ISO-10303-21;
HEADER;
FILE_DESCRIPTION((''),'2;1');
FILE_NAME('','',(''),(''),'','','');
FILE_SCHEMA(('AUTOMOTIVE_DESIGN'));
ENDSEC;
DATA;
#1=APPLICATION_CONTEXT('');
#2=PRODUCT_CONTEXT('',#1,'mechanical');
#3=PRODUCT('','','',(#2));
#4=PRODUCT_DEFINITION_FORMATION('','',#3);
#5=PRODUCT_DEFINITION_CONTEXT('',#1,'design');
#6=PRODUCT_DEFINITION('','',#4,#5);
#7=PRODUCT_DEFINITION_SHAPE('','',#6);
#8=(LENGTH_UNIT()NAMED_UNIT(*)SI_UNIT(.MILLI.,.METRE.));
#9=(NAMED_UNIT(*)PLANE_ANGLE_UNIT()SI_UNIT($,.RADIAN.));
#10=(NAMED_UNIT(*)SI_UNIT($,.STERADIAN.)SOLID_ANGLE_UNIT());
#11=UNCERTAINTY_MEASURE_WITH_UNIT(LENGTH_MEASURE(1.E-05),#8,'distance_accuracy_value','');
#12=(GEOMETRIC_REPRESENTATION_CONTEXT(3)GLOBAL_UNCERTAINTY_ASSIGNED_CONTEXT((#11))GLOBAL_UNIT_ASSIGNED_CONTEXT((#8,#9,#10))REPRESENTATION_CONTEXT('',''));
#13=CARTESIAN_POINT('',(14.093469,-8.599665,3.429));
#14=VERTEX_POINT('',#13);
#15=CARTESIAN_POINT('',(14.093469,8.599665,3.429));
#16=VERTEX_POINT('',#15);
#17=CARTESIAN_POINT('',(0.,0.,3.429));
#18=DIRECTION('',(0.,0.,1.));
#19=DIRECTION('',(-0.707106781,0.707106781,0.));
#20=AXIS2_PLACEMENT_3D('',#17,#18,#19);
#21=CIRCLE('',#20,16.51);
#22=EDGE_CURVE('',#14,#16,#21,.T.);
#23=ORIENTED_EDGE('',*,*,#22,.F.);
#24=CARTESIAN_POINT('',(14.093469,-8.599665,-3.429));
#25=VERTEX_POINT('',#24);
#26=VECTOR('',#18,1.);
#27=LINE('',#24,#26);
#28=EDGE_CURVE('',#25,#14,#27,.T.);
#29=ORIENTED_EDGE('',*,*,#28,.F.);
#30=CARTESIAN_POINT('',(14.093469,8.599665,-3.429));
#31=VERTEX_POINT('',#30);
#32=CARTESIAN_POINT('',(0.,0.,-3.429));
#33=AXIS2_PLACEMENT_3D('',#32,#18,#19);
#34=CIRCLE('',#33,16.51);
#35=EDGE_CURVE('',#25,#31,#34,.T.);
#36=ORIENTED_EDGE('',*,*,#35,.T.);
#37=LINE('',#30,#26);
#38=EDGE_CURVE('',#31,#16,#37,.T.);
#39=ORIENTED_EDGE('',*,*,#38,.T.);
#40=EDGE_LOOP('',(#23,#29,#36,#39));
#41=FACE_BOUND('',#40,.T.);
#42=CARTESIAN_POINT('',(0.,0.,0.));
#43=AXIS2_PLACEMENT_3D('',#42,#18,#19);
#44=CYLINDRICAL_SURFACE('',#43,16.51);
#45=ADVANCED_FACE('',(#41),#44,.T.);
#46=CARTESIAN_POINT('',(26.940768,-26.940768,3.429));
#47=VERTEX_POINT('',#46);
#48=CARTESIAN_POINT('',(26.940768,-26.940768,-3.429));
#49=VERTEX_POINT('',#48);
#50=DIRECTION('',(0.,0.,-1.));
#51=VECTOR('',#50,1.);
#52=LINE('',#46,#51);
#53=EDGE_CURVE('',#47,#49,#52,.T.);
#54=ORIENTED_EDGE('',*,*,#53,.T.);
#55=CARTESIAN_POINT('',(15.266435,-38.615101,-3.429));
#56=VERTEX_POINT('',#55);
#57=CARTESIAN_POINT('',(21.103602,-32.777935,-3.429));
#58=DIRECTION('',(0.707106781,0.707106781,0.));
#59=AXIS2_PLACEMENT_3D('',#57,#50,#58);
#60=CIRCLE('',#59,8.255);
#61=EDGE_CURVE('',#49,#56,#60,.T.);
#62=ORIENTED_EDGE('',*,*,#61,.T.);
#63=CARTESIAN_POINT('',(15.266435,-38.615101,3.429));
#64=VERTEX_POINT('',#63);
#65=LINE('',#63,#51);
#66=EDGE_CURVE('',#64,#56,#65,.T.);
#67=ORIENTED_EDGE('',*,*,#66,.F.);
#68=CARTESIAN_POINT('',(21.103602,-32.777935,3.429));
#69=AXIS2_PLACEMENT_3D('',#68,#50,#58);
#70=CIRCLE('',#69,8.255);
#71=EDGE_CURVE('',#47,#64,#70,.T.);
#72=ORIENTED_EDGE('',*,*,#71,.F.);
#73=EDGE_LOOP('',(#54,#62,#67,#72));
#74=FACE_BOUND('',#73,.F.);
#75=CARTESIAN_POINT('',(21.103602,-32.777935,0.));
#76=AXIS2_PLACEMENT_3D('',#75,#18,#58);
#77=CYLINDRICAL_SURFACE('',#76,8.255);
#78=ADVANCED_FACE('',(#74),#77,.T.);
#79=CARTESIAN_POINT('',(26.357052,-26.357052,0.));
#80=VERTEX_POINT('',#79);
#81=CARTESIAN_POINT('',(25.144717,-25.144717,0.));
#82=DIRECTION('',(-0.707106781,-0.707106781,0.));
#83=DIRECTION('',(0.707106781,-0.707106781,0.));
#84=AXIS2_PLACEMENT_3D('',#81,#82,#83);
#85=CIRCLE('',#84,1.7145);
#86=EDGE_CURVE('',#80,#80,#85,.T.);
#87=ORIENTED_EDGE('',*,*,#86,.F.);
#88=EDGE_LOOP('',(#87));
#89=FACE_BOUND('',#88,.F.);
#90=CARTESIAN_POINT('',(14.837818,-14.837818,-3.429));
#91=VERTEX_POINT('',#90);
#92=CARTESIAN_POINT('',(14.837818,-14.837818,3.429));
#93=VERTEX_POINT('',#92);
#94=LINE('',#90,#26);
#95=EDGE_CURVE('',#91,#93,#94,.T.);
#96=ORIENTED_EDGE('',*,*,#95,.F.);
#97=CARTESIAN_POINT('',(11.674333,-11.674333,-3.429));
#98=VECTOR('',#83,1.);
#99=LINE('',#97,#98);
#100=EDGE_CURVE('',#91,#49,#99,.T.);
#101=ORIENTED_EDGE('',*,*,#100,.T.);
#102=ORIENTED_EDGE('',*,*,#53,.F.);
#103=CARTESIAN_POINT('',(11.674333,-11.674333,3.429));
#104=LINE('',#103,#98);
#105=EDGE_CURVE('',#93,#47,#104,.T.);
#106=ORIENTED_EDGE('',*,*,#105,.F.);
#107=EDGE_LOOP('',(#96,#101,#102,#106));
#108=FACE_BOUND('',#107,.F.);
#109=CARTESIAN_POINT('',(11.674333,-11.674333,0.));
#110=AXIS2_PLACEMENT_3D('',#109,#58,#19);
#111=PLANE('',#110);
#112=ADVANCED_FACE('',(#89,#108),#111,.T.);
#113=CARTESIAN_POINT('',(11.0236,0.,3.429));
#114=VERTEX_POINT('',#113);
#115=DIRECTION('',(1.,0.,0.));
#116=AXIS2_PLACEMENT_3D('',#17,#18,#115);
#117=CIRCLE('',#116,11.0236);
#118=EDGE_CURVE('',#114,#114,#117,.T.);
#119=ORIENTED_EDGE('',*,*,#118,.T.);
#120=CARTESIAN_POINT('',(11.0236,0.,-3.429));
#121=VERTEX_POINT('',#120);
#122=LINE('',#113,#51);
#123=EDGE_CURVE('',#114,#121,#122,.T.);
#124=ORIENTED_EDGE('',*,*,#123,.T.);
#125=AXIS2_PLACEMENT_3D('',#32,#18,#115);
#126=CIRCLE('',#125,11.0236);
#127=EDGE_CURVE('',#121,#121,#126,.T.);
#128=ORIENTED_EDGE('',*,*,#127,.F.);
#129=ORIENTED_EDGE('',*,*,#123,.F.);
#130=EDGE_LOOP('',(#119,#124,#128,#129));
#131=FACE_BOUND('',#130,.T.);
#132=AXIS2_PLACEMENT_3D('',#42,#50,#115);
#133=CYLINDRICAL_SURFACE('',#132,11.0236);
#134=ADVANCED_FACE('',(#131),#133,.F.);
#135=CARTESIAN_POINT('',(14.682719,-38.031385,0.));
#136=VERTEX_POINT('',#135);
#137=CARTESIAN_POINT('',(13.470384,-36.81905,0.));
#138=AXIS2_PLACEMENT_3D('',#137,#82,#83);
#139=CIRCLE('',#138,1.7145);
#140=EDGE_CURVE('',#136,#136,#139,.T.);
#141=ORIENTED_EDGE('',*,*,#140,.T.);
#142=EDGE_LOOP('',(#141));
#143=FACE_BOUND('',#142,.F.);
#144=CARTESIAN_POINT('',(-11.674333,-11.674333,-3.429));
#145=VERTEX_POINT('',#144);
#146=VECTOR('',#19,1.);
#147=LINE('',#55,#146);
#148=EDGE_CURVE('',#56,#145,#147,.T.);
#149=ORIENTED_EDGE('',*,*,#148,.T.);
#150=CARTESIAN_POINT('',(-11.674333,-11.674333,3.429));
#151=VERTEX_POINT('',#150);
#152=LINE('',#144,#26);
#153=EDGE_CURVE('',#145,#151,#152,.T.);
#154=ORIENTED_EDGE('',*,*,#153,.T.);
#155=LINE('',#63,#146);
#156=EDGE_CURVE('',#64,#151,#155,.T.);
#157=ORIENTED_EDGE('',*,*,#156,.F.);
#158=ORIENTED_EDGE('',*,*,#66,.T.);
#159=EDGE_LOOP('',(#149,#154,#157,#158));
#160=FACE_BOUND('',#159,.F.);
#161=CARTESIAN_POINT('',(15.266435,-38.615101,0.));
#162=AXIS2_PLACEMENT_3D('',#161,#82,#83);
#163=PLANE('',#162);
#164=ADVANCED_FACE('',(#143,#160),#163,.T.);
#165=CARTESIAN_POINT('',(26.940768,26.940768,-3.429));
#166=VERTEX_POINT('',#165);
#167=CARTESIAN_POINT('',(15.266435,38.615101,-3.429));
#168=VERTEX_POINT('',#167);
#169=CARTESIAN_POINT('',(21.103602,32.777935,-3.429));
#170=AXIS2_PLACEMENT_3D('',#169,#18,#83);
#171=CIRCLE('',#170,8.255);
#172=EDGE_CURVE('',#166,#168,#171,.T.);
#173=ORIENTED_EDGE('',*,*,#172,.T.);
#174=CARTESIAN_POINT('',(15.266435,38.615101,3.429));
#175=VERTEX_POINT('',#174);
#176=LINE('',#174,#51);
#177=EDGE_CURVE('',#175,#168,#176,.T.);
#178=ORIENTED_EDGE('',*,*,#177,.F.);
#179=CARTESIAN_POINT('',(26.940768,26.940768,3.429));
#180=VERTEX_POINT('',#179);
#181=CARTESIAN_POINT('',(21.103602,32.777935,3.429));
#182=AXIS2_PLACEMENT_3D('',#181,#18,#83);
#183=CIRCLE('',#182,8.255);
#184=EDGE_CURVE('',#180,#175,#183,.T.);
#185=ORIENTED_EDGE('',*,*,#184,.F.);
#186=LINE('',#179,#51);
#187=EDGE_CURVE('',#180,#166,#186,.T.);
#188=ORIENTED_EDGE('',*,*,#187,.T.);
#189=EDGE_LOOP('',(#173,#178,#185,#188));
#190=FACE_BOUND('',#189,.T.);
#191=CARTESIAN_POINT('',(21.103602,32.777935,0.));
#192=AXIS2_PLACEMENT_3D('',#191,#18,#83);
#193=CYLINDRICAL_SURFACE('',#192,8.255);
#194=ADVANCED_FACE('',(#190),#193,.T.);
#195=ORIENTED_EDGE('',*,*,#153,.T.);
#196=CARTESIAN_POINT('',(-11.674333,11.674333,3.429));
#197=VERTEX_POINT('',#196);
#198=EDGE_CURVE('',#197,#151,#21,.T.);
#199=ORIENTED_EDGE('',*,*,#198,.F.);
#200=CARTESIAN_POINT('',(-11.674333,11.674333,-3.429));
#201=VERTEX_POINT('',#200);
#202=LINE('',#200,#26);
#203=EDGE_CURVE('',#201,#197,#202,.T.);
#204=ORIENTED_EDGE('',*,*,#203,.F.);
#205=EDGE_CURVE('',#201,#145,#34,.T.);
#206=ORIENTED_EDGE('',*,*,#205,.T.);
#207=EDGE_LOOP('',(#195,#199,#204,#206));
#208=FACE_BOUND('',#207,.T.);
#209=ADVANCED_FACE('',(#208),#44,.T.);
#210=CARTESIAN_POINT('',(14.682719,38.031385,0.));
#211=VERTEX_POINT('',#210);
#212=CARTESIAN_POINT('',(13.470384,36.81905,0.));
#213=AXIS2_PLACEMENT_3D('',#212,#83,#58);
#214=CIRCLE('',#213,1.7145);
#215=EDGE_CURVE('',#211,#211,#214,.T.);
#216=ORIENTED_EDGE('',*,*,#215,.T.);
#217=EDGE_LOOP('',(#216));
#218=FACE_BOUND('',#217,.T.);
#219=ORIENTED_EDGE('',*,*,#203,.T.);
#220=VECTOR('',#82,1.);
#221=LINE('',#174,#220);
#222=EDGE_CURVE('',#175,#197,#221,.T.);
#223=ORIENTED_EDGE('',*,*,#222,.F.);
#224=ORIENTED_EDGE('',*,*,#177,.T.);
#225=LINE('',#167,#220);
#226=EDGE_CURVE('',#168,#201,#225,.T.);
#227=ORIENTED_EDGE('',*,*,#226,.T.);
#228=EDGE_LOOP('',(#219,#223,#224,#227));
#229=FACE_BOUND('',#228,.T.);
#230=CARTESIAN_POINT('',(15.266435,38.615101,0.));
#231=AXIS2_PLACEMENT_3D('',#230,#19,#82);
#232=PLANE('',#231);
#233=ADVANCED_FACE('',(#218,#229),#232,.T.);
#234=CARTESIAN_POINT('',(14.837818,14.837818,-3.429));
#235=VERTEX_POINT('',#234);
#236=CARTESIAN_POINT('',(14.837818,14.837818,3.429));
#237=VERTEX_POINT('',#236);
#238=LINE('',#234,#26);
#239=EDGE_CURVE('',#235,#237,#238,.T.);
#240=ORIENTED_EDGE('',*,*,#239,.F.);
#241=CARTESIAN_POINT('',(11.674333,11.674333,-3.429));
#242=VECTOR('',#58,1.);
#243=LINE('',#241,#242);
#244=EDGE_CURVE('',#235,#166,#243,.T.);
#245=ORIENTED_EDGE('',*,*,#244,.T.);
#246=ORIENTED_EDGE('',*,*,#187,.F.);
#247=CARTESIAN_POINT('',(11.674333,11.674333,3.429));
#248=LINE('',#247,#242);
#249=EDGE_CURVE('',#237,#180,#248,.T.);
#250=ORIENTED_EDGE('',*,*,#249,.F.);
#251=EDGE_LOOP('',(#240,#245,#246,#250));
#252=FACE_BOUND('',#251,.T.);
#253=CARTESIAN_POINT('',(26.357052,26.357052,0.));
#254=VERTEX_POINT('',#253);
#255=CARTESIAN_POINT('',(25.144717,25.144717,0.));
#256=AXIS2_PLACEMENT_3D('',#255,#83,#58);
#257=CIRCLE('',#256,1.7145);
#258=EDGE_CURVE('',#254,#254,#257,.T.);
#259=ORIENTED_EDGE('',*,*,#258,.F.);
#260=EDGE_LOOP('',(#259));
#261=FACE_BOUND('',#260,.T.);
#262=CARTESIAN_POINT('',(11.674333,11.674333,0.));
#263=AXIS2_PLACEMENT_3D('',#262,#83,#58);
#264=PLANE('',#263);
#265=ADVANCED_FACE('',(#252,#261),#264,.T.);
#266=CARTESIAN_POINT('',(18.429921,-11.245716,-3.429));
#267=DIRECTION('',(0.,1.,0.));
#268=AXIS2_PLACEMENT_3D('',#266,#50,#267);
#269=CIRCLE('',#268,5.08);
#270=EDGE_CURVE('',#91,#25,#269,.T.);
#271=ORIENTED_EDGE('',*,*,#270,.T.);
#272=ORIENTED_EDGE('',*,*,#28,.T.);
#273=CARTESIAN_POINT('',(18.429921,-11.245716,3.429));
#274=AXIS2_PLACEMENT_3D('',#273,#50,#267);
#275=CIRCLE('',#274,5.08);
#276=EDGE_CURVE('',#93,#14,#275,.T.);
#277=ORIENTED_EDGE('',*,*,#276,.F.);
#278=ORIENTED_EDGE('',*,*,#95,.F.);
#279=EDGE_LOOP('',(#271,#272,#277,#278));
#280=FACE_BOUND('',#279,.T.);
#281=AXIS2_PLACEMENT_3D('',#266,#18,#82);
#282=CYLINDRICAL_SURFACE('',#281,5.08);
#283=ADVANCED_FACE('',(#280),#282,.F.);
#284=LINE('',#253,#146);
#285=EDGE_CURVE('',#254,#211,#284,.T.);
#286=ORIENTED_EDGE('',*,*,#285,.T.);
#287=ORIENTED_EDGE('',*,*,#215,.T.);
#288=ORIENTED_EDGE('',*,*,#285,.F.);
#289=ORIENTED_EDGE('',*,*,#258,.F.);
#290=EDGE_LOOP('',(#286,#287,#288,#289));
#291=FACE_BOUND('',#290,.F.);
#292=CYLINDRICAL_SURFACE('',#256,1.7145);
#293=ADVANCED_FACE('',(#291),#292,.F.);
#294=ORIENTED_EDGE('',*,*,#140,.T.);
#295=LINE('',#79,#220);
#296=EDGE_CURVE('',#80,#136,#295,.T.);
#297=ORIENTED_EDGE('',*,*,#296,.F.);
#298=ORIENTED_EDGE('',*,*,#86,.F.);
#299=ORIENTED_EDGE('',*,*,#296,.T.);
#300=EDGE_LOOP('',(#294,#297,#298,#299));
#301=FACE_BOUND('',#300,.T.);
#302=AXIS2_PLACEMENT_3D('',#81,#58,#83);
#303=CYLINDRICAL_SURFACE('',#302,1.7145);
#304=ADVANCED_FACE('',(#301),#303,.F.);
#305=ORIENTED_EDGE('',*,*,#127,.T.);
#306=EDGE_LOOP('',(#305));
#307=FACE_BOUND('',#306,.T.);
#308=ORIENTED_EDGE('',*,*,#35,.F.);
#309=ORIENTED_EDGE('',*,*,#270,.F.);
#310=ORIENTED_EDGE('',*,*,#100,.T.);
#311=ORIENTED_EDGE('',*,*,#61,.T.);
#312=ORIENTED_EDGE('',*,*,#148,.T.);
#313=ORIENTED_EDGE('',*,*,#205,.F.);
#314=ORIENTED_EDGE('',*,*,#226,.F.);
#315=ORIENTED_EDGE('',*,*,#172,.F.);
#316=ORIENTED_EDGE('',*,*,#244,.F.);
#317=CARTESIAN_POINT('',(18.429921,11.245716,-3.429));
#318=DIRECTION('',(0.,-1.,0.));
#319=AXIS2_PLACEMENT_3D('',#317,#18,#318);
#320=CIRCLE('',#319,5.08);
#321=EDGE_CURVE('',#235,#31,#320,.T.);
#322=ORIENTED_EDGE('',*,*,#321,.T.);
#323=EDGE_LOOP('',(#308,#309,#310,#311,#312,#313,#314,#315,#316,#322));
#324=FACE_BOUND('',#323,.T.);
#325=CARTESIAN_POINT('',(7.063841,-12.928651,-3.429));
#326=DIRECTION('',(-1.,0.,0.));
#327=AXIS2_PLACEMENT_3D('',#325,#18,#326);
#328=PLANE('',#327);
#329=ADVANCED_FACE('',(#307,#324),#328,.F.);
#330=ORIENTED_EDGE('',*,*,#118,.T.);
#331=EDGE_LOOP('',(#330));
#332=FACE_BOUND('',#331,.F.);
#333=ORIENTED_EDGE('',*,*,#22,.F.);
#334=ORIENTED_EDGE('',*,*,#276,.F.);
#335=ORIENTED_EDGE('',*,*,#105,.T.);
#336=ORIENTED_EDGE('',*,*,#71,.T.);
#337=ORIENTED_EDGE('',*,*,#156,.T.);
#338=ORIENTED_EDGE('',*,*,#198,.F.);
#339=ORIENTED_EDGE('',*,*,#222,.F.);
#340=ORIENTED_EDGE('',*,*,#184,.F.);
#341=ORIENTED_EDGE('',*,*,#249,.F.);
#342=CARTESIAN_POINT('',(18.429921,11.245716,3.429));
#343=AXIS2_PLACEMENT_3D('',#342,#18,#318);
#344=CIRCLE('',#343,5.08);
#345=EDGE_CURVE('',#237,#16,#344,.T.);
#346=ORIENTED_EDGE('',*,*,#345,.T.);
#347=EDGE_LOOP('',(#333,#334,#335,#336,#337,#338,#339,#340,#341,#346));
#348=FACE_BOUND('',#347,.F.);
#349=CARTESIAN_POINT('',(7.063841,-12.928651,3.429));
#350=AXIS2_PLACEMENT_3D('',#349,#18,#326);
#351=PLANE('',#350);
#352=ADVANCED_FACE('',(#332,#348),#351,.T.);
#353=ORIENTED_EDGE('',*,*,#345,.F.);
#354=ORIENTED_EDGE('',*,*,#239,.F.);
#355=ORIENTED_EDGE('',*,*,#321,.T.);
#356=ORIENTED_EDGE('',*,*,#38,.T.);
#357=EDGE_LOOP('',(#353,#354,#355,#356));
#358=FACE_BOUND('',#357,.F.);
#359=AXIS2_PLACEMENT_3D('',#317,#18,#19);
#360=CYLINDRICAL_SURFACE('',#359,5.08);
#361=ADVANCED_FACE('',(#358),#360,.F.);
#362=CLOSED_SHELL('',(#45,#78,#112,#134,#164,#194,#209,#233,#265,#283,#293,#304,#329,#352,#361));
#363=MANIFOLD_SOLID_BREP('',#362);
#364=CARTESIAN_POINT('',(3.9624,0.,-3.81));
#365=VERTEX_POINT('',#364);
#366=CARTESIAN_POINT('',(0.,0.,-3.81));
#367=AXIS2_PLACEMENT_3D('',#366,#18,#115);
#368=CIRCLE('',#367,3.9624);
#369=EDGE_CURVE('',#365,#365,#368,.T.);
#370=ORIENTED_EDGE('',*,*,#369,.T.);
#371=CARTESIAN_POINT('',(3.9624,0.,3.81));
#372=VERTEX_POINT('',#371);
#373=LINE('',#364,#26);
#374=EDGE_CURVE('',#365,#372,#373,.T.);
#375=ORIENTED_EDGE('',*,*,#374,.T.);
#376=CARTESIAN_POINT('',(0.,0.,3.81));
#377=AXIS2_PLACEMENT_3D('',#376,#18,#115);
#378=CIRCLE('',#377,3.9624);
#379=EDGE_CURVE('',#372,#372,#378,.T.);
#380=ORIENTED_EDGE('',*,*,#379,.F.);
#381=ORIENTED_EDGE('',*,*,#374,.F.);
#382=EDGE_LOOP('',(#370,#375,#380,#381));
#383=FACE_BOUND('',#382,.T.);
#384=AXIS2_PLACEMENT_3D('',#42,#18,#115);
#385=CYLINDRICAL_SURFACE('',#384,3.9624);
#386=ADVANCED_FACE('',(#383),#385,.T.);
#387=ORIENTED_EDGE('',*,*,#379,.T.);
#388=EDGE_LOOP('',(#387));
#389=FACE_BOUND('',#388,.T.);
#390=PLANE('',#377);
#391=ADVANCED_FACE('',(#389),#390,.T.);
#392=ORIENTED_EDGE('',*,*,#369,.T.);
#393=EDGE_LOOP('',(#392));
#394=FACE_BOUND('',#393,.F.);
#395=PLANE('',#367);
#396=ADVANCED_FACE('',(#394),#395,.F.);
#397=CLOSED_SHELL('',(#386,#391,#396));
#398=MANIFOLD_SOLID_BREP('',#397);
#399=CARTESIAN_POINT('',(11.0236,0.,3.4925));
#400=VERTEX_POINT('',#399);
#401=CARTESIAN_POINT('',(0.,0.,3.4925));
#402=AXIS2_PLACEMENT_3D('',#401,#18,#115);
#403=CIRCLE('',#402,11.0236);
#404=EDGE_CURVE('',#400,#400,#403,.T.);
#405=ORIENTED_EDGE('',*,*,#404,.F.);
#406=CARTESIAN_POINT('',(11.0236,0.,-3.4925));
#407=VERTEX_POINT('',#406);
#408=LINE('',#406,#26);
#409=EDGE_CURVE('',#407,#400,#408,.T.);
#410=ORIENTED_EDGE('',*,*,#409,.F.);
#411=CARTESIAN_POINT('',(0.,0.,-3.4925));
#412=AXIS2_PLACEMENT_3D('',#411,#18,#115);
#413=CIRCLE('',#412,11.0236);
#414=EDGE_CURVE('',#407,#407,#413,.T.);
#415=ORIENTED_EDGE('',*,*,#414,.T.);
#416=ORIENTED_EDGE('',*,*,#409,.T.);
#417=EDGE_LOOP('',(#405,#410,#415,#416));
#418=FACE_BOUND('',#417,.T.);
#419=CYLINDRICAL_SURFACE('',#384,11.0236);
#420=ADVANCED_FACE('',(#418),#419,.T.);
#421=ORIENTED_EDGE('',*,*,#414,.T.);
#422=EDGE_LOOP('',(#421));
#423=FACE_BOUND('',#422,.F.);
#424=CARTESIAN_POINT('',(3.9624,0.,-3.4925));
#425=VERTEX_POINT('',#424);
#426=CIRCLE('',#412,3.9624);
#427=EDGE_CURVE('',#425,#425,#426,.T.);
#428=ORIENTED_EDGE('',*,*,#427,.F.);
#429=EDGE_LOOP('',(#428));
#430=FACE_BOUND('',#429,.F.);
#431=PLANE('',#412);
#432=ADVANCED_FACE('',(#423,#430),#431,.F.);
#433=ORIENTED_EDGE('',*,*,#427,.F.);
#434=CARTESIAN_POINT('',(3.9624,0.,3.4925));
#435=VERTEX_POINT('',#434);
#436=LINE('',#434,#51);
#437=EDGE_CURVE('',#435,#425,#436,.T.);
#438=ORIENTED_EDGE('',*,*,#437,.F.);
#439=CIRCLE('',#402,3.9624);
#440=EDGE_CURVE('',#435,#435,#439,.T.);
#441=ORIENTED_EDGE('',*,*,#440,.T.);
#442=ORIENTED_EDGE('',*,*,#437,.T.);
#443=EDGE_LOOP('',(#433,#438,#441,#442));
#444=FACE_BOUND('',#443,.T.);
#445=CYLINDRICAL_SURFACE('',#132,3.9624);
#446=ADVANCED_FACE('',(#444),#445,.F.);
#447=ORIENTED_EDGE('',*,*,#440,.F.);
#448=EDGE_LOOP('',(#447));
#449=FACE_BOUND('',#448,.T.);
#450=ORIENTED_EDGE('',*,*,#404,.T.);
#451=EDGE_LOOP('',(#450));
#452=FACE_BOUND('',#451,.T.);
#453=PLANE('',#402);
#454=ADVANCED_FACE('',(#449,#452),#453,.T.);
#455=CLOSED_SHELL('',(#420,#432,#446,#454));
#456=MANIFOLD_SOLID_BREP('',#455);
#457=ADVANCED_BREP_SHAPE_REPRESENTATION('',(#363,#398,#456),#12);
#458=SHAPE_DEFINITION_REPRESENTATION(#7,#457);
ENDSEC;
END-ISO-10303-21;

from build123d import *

# Parameters (mm, degrees)
F0_R     = 11.0236
F0_R_2   = 3.9624
F1_DEPTH = 3.4925
F2_R     = 11.0236
F3_DEPTH = 3.429
F4_R     = 5.08
F5_R     = 1.7145
F6_DEPTH = 40.6899994361
F8_R     = 3.9624
F9_DEPTH = 3.81


with BuildPart() as f1:
    # F0 (on Top) → F1 (new body, symmetric)
    with BuildSketch(Plane.XY):
        Circle(F0_R)
        Circle(F0_R_2, mode=Mode.SUBTRACT)
    extrude(amount=F1_DEPTH, both=True)


with BuildPart() as f3:
    # F2 (on Top) → F3 (new body, symmetric)
    with BuildSketch(Plane.XY):
        with BuildLine():
            Line((15.2664354058, 38.6151013206), (-11.6743329574, 11.6743329574))
            ThreePointArc((-11.6743329574, 11.6743329574), (0, -16.51), (11.6743329574, 11.6743329574))
            Line((11.6743329574, 11.6743329574), (26.9407683632, 26.9407683632))
            ThreePointArc((26.9407683632, 26.9407683632), (26.9407683632, 38.6151013206), (15.2664354058, 38.6151013206))
        make_face()
        Circle(F2_R, mode=Mode.SUBTRACT)
    extrude(amount=F3_DEPTH, both=True)

    # F4
    f4_edges = [f3.edges().sort_by_distance(p)[0] for p in [
        (11.674333, 11.674333, 0),
    ]]
    fillet(f4_edges, radius=F4_R)

    # F5 (on face) → F6 (cut, through all)
    with BuildSketch(Plane(origin=(0, 0, 0), x_dir=(0.7071067812, 0.7071067812, 0), z_dir=(0.7071067812, -0.7071067812, 0))):
        with Locations((35.56, 0)):
            Circle(F5_R)
    extrude(amount=-F6_DEPTH, mode=Mode.SUBTRACT)

    # F7: F3 across plane


with BuildPart() as f3_1:
    add(f3.part)
    add(f3.part.mirror(Plane.XZ))


with BuildPart() as f9:
    # F8 (on Top) → F9 (new body, symmetric)
    with BuildSketch(Plane.XY):
        Circle(F8_R)
    extrude(amount=F9_DEPTH, both=True)


solid = Compound([f1.part, f3_1.part, f9.part])
